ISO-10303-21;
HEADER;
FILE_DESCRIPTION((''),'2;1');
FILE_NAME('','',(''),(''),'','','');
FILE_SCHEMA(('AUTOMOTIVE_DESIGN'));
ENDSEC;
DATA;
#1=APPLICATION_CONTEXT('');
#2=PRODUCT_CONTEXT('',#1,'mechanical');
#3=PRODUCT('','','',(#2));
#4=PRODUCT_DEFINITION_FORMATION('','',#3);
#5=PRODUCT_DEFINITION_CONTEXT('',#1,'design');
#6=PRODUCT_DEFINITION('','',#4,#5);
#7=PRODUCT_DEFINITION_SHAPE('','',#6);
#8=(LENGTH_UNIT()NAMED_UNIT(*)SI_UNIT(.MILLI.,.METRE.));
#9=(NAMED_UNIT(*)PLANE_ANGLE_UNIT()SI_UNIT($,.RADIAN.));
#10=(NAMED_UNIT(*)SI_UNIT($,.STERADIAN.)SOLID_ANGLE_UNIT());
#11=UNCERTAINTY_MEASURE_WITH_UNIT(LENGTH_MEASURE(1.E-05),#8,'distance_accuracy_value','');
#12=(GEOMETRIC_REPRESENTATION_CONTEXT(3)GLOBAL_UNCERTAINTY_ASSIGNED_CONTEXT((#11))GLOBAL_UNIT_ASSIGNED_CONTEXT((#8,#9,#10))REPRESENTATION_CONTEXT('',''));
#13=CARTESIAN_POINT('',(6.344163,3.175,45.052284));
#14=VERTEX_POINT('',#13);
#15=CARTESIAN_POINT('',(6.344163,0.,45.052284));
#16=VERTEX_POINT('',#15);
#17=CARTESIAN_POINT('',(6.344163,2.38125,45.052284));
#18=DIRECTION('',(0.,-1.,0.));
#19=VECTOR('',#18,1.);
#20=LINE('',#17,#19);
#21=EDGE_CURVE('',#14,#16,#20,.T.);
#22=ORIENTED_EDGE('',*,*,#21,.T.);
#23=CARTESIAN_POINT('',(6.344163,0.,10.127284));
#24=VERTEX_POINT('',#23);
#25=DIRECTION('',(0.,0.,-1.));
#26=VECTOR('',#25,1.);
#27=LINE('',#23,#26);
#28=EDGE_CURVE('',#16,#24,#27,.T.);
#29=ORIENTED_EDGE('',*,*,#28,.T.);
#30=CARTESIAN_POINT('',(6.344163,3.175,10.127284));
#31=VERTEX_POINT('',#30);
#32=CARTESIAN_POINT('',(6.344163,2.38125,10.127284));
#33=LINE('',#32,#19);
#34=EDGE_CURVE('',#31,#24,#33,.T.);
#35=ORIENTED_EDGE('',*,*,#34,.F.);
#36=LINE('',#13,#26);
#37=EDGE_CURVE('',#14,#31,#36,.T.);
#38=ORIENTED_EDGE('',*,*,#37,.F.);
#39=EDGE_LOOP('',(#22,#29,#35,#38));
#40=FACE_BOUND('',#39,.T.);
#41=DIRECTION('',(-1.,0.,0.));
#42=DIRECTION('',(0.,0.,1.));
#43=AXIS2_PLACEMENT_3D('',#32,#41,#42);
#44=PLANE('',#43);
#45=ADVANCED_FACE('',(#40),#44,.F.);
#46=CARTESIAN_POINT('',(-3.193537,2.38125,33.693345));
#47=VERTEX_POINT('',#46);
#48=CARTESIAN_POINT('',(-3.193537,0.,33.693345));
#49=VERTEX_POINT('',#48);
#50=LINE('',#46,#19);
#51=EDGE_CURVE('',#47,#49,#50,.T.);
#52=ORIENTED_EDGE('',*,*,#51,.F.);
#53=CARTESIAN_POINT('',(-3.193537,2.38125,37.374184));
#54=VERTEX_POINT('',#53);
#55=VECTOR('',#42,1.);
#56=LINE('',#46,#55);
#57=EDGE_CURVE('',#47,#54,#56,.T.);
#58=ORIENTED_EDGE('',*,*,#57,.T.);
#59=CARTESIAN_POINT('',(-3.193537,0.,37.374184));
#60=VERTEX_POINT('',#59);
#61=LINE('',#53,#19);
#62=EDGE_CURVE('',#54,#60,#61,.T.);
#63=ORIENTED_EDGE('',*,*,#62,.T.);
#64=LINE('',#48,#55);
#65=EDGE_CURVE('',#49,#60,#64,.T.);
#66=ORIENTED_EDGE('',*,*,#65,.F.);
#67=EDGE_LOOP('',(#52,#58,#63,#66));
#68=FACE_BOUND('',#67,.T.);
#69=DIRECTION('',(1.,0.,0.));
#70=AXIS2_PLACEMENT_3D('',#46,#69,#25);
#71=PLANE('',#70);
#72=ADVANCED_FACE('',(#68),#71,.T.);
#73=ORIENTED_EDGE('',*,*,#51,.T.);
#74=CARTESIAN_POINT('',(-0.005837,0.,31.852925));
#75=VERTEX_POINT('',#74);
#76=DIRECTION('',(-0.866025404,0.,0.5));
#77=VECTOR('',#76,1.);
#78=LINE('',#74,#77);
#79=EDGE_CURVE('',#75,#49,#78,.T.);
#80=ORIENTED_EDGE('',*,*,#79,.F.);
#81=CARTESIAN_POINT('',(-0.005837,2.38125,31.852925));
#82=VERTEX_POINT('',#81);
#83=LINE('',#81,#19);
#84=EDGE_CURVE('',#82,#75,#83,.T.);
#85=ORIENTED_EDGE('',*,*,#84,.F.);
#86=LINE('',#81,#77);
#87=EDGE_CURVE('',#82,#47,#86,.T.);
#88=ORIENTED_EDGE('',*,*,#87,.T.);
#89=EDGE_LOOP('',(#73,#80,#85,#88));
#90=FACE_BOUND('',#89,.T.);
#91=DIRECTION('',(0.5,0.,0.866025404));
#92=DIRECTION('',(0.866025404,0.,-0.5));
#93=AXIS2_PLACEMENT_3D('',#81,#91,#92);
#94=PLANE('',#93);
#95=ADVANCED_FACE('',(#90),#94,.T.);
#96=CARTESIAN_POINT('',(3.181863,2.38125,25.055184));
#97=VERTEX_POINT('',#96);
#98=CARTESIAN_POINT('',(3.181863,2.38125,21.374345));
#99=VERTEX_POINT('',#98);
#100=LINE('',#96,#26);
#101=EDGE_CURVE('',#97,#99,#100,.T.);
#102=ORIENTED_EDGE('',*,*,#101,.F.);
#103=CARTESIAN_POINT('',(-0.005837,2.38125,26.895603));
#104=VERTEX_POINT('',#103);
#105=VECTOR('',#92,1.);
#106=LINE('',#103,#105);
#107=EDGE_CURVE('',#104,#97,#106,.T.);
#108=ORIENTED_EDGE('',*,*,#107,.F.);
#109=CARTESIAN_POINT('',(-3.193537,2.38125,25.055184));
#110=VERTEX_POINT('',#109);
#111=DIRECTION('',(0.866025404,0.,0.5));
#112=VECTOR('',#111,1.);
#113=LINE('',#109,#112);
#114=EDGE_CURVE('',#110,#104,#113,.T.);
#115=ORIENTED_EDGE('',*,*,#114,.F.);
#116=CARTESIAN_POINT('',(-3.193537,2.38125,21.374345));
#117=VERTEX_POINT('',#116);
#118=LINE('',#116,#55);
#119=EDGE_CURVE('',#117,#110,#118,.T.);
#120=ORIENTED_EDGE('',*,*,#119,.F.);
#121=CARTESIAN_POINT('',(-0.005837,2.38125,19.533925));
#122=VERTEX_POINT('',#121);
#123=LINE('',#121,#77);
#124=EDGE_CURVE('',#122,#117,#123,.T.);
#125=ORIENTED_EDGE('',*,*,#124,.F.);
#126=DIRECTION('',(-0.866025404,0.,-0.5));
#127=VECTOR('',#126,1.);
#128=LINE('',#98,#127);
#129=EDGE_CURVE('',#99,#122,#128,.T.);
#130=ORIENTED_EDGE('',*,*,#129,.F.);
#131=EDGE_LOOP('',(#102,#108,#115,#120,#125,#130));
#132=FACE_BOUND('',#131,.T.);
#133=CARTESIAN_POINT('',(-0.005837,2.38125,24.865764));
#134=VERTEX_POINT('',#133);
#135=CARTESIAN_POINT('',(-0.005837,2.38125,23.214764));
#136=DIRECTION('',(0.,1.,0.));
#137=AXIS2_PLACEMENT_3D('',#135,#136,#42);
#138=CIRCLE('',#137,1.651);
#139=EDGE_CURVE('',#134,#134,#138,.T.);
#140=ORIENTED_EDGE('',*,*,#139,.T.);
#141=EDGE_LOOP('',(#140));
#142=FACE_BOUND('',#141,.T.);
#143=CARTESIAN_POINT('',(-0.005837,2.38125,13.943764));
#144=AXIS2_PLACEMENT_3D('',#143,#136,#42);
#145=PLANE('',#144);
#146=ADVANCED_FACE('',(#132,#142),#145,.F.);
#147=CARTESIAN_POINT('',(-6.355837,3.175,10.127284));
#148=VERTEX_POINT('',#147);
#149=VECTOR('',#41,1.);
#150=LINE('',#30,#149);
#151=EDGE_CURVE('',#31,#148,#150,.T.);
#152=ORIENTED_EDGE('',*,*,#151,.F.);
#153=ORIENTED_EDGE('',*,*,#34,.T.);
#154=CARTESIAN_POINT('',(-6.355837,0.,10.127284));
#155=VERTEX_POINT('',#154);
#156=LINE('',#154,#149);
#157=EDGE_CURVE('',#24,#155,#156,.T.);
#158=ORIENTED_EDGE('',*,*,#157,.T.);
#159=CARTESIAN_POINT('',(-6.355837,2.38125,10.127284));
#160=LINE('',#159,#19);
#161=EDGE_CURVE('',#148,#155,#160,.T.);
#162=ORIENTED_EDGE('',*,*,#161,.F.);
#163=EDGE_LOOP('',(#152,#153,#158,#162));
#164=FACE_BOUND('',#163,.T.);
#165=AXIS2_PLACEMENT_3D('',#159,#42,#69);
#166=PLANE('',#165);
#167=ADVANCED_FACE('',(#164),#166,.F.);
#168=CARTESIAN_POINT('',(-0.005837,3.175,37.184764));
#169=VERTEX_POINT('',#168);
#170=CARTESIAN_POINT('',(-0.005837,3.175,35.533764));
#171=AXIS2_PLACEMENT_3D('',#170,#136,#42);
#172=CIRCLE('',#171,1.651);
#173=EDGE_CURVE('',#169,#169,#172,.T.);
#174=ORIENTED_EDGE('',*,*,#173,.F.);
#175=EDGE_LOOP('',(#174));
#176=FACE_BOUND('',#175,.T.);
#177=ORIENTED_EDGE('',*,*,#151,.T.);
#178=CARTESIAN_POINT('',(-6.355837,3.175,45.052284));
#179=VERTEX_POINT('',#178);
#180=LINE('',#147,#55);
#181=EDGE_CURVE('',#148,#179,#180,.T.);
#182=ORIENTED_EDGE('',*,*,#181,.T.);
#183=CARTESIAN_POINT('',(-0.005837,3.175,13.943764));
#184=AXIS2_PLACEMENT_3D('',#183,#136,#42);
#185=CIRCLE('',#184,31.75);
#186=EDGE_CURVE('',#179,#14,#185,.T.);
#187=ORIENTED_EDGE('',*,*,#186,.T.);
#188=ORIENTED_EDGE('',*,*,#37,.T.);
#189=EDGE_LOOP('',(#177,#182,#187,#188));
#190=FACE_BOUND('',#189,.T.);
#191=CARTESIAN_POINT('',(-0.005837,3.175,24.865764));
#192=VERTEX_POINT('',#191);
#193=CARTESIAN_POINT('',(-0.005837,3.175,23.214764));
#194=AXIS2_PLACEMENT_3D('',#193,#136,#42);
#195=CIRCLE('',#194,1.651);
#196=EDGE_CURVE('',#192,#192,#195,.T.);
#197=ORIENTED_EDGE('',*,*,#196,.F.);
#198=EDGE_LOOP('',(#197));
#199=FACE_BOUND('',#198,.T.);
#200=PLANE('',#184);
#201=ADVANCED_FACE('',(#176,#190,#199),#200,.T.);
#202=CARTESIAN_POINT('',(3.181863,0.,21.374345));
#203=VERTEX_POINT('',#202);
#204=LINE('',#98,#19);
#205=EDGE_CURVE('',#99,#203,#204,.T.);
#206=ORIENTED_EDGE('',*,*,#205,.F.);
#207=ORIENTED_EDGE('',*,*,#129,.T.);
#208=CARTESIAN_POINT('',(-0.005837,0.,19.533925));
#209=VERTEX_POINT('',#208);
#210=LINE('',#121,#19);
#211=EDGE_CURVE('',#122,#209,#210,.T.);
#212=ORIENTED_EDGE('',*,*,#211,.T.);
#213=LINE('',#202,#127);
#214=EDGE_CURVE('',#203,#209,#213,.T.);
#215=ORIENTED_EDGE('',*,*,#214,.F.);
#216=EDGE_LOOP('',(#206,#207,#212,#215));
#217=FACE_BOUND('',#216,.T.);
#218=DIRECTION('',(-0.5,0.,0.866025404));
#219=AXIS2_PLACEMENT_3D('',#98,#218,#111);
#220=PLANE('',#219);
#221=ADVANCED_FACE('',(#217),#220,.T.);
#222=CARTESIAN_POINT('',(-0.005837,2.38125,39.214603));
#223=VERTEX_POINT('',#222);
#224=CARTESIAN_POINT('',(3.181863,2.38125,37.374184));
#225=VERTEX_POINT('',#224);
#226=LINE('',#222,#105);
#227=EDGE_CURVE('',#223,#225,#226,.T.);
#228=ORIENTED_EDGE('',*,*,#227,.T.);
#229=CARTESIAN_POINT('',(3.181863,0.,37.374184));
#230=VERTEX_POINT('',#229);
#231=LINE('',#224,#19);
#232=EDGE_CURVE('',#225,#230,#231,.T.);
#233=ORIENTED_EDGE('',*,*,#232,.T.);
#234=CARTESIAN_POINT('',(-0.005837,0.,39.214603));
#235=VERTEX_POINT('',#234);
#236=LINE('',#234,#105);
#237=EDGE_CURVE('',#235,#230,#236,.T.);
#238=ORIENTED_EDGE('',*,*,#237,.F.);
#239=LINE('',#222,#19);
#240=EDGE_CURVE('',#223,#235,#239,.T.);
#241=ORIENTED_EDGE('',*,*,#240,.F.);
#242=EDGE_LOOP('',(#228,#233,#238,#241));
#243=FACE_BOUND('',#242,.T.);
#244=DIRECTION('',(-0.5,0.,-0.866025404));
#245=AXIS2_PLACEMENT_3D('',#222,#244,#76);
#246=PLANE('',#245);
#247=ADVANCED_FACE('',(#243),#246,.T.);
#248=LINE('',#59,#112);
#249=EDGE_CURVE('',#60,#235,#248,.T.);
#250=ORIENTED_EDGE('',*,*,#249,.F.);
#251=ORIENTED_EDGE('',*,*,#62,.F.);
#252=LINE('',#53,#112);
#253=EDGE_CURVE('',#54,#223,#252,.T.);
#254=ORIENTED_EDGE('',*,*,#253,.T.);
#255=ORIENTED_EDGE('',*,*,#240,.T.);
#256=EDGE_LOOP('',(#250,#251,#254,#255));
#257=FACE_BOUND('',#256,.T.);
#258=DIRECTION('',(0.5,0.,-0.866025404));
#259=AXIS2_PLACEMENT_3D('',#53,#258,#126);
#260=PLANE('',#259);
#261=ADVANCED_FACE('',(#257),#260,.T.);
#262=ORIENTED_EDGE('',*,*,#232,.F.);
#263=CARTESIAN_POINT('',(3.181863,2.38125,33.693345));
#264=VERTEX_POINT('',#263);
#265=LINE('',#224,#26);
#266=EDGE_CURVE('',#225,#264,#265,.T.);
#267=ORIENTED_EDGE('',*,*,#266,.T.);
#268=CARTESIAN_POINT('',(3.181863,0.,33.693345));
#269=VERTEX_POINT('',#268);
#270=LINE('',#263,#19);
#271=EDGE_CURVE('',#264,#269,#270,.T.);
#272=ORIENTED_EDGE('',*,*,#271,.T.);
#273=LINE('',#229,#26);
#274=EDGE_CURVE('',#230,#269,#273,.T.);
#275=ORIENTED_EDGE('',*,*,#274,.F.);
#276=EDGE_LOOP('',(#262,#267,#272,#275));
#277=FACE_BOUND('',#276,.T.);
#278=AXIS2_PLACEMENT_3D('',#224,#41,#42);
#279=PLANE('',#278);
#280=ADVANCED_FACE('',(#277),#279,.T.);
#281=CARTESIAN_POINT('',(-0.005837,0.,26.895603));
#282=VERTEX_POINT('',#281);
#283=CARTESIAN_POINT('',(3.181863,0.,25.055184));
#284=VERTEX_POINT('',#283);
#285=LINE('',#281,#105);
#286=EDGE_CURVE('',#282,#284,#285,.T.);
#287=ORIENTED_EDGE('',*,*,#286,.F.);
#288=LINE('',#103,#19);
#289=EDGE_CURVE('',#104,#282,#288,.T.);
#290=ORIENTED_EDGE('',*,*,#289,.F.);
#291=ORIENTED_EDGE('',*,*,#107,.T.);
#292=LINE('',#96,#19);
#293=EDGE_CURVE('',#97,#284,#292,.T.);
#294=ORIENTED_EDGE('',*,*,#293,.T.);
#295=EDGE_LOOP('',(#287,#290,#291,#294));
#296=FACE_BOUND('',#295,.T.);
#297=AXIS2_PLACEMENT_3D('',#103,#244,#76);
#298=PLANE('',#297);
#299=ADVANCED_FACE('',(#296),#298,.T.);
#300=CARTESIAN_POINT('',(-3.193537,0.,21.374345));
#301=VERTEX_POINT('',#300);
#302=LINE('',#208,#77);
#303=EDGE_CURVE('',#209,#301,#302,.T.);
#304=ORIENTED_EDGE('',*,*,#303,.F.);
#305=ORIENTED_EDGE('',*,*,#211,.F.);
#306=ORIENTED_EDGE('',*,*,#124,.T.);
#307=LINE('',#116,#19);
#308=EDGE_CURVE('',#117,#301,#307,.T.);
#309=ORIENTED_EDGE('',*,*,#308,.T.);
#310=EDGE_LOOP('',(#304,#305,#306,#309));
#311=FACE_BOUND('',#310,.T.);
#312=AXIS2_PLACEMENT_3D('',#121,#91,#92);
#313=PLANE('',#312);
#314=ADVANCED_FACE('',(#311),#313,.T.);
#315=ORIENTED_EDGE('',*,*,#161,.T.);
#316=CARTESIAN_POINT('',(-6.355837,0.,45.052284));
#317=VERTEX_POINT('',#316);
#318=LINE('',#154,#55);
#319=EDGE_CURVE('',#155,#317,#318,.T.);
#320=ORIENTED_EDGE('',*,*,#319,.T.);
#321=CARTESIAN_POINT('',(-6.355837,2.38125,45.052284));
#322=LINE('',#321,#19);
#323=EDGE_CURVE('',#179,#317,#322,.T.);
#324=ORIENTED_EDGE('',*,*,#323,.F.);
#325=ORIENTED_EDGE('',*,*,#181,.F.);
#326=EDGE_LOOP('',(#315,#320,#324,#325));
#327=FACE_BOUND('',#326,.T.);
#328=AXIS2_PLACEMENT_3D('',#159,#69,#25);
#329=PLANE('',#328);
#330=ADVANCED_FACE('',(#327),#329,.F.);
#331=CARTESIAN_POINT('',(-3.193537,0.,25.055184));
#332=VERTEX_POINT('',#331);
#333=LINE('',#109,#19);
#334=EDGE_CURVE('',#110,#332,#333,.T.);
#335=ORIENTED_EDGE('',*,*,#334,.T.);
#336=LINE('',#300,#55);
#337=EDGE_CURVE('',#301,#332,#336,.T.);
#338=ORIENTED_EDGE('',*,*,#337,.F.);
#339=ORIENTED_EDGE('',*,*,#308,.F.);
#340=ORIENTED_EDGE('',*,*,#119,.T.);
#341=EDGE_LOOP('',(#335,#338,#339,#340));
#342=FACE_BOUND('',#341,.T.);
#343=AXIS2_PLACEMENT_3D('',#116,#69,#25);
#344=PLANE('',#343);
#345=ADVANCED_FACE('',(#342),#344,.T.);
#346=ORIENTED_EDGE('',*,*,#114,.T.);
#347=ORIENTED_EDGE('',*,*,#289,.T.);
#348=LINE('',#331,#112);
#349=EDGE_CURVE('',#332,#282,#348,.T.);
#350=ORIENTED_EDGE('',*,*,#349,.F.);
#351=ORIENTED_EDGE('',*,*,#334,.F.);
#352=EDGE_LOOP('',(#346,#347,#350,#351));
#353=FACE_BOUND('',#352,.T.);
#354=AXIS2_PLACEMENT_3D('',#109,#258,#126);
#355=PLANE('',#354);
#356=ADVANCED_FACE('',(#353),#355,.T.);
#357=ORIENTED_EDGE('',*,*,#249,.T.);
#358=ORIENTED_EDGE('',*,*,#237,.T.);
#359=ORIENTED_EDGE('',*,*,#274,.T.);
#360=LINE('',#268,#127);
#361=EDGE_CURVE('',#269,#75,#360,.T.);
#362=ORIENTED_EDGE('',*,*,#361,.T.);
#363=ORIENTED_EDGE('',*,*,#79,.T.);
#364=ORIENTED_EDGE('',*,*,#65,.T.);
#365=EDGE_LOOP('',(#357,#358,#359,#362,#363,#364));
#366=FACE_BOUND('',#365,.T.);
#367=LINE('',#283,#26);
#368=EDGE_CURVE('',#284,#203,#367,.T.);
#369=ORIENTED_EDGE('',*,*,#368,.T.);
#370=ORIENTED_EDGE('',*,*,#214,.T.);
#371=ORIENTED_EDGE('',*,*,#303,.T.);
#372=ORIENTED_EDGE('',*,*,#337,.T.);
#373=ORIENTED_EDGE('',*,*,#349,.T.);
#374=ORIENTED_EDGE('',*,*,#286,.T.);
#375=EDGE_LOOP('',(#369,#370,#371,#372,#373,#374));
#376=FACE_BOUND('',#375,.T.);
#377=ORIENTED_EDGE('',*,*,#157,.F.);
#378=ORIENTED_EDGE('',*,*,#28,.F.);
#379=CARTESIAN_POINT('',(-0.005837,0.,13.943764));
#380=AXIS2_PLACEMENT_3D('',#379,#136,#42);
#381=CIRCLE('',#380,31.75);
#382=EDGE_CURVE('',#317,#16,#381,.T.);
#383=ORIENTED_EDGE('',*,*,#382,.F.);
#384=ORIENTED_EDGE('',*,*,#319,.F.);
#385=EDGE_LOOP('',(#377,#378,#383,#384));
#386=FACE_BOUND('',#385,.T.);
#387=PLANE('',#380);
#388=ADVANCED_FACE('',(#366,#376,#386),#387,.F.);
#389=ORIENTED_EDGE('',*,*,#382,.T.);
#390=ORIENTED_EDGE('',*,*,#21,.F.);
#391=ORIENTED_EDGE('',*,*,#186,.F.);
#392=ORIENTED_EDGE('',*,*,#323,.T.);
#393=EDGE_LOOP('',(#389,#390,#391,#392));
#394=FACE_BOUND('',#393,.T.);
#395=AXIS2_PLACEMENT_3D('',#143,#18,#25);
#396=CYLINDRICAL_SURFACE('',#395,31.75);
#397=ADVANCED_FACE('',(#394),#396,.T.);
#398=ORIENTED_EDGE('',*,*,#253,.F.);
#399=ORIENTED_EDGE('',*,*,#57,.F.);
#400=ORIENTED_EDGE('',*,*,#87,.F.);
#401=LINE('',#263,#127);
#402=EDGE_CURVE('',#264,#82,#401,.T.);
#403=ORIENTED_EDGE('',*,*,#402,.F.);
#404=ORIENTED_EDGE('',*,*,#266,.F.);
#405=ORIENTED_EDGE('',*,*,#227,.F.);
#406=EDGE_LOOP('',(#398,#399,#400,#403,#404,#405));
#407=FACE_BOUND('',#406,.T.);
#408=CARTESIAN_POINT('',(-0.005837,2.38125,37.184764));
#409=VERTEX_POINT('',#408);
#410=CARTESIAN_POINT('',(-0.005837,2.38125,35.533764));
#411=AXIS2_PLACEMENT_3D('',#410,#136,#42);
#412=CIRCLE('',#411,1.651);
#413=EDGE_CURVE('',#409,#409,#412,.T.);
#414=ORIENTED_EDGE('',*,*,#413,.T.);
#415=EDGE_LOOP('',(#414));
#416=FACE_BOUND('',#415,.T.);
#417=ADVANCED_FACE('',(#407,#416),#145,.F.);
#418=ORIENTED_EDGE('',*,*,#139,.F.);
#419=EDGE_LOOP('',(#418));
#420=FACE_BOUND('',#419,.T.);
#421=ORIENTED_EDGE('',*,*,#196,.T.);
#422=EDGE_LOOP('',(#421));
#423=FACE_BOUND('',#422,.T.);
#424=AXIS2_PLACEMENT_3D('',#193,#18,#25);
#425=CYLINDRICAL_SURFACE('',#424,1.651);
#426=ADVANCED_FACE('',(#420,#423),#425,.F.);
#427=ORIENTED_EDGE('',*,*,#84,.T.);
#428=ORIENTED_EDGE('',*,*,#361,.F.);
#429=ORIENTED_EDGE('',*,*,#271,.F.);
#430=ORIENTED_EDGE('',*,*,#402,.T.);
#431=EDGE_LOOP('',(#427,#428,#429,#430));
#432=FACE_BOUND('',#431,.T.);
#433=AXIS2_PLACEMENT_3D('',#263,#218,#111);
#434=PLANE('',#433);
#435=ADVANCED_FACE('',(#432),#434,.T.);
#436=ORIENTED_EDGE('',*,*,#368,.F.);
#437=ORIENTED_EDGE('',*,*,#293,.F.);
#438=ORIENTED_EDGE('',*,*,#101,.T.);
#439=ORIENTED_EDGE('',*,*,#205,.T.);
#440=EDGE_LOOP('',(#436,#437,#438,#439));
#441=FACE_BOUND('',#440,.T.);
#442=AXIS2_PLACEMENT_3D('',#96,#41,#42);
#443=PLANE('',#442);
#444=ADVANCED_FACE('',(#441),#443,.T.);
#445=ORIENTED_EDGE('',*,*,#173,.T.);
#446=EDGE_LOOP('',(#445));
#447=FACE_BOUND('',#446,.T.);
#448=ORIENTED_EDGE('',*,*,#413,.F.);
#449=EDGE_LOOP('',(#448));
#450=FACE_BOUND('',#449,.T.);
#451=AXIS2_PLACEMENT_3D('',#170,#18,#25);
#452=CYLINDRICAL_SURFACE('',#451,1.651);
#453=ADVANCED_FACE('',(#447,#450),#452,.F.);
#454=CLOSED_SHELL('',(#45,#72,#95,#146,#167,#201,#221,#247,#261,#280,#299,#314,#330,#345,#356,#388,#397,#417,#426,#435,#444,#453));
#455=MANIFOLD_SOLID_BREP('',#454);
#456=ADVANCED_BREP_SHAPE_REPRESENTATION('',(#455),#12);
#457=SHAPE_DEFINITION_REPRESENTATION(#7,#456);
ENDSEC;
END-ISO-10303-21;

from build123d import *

# Parameters (mm, degrees)
BOSS_EXTRUDE1_DEPTH = 2.38125
SKETCH2_R           = 1.651
BOSS_EXTRUDE2_DEPTH = 0.79375


with BuildPart() as part:
    # Sketch1 → Boss-Extrude1 (new body)
    with BuildSketch(Plane(origin=(0, 0, 0), x_dir=(1, 0, 0), z_dir=(0, 1, 0))):
        with BuildLine():
            Line((-6.355837102, -10.127283918), (6.344162898, -10.127283918))
            Line((6.344162898, -10.127283918), (6.344162898, -45.052283918))
            ThreePointArc((6.344162898, -45.052283918), (-0.005837102, -45.693764185), (-6.355837102, -45.052283918))
            Line((-6.355837102, -45.052283918), (-6.355837102, -10.127283918))
        make_face()
        Polygon((3.181862898, -25.055183638), (3.181862898, -21.374344732), (-0.005837102, -19.533925278), (-3.193537102, -21.374344732), (-3.193537102, -25.055183638), (-0.005837102, -26.895603091), align=None, mode=Mode.SUBTRACT)
        Polygon((3.181862898, -37.374183638), (3.181862898, -33.693344732), (-0.005837102, -31.852925278), (-3.193537102, -33.693344732), (-3.193537102, -37.374183638), (-0.005837102, -39.214603091), align=None, mode=Mode.SUBTRACT)
    extrude(amount=BOSS_EXTRUDE1_DEPTH)

    # Sketch2 → Boss-Extrude2 (add)
    with BuildSketch(Plane(origin=(0, 2.38125, 0), x_dir=(1, 0, 0), z_dir=(0, 1, 0))):
        with BuildLine():
            Line((6.344162898, -45.052283918), (6.344162898, -10.127283918))
            Line((6.344162898, -10.127283918), (-6.355837102, -10.127283918))
            Line((-6.355837102, -10.127283918), (-6.355837102, -45.052283918))
            ThreePointArc((-6.355837102, -45.052283918), (-0.005837102, -45.693764185), (6.344162898, -45.052283918))
        make_face()
        with Locations((-0.005837102, -23.214764185)):
            Circle(SKETCH2_R, mode=Mode.SUBTRACT)
        with Locations((-0.005837102, -35.533764185)):
            Circle(SKETCH2_R, mode=Mode.SUBTRACT)
    extrude(amount=BOSS_EXTRUDE2_DEPTH)


solid = part.part
